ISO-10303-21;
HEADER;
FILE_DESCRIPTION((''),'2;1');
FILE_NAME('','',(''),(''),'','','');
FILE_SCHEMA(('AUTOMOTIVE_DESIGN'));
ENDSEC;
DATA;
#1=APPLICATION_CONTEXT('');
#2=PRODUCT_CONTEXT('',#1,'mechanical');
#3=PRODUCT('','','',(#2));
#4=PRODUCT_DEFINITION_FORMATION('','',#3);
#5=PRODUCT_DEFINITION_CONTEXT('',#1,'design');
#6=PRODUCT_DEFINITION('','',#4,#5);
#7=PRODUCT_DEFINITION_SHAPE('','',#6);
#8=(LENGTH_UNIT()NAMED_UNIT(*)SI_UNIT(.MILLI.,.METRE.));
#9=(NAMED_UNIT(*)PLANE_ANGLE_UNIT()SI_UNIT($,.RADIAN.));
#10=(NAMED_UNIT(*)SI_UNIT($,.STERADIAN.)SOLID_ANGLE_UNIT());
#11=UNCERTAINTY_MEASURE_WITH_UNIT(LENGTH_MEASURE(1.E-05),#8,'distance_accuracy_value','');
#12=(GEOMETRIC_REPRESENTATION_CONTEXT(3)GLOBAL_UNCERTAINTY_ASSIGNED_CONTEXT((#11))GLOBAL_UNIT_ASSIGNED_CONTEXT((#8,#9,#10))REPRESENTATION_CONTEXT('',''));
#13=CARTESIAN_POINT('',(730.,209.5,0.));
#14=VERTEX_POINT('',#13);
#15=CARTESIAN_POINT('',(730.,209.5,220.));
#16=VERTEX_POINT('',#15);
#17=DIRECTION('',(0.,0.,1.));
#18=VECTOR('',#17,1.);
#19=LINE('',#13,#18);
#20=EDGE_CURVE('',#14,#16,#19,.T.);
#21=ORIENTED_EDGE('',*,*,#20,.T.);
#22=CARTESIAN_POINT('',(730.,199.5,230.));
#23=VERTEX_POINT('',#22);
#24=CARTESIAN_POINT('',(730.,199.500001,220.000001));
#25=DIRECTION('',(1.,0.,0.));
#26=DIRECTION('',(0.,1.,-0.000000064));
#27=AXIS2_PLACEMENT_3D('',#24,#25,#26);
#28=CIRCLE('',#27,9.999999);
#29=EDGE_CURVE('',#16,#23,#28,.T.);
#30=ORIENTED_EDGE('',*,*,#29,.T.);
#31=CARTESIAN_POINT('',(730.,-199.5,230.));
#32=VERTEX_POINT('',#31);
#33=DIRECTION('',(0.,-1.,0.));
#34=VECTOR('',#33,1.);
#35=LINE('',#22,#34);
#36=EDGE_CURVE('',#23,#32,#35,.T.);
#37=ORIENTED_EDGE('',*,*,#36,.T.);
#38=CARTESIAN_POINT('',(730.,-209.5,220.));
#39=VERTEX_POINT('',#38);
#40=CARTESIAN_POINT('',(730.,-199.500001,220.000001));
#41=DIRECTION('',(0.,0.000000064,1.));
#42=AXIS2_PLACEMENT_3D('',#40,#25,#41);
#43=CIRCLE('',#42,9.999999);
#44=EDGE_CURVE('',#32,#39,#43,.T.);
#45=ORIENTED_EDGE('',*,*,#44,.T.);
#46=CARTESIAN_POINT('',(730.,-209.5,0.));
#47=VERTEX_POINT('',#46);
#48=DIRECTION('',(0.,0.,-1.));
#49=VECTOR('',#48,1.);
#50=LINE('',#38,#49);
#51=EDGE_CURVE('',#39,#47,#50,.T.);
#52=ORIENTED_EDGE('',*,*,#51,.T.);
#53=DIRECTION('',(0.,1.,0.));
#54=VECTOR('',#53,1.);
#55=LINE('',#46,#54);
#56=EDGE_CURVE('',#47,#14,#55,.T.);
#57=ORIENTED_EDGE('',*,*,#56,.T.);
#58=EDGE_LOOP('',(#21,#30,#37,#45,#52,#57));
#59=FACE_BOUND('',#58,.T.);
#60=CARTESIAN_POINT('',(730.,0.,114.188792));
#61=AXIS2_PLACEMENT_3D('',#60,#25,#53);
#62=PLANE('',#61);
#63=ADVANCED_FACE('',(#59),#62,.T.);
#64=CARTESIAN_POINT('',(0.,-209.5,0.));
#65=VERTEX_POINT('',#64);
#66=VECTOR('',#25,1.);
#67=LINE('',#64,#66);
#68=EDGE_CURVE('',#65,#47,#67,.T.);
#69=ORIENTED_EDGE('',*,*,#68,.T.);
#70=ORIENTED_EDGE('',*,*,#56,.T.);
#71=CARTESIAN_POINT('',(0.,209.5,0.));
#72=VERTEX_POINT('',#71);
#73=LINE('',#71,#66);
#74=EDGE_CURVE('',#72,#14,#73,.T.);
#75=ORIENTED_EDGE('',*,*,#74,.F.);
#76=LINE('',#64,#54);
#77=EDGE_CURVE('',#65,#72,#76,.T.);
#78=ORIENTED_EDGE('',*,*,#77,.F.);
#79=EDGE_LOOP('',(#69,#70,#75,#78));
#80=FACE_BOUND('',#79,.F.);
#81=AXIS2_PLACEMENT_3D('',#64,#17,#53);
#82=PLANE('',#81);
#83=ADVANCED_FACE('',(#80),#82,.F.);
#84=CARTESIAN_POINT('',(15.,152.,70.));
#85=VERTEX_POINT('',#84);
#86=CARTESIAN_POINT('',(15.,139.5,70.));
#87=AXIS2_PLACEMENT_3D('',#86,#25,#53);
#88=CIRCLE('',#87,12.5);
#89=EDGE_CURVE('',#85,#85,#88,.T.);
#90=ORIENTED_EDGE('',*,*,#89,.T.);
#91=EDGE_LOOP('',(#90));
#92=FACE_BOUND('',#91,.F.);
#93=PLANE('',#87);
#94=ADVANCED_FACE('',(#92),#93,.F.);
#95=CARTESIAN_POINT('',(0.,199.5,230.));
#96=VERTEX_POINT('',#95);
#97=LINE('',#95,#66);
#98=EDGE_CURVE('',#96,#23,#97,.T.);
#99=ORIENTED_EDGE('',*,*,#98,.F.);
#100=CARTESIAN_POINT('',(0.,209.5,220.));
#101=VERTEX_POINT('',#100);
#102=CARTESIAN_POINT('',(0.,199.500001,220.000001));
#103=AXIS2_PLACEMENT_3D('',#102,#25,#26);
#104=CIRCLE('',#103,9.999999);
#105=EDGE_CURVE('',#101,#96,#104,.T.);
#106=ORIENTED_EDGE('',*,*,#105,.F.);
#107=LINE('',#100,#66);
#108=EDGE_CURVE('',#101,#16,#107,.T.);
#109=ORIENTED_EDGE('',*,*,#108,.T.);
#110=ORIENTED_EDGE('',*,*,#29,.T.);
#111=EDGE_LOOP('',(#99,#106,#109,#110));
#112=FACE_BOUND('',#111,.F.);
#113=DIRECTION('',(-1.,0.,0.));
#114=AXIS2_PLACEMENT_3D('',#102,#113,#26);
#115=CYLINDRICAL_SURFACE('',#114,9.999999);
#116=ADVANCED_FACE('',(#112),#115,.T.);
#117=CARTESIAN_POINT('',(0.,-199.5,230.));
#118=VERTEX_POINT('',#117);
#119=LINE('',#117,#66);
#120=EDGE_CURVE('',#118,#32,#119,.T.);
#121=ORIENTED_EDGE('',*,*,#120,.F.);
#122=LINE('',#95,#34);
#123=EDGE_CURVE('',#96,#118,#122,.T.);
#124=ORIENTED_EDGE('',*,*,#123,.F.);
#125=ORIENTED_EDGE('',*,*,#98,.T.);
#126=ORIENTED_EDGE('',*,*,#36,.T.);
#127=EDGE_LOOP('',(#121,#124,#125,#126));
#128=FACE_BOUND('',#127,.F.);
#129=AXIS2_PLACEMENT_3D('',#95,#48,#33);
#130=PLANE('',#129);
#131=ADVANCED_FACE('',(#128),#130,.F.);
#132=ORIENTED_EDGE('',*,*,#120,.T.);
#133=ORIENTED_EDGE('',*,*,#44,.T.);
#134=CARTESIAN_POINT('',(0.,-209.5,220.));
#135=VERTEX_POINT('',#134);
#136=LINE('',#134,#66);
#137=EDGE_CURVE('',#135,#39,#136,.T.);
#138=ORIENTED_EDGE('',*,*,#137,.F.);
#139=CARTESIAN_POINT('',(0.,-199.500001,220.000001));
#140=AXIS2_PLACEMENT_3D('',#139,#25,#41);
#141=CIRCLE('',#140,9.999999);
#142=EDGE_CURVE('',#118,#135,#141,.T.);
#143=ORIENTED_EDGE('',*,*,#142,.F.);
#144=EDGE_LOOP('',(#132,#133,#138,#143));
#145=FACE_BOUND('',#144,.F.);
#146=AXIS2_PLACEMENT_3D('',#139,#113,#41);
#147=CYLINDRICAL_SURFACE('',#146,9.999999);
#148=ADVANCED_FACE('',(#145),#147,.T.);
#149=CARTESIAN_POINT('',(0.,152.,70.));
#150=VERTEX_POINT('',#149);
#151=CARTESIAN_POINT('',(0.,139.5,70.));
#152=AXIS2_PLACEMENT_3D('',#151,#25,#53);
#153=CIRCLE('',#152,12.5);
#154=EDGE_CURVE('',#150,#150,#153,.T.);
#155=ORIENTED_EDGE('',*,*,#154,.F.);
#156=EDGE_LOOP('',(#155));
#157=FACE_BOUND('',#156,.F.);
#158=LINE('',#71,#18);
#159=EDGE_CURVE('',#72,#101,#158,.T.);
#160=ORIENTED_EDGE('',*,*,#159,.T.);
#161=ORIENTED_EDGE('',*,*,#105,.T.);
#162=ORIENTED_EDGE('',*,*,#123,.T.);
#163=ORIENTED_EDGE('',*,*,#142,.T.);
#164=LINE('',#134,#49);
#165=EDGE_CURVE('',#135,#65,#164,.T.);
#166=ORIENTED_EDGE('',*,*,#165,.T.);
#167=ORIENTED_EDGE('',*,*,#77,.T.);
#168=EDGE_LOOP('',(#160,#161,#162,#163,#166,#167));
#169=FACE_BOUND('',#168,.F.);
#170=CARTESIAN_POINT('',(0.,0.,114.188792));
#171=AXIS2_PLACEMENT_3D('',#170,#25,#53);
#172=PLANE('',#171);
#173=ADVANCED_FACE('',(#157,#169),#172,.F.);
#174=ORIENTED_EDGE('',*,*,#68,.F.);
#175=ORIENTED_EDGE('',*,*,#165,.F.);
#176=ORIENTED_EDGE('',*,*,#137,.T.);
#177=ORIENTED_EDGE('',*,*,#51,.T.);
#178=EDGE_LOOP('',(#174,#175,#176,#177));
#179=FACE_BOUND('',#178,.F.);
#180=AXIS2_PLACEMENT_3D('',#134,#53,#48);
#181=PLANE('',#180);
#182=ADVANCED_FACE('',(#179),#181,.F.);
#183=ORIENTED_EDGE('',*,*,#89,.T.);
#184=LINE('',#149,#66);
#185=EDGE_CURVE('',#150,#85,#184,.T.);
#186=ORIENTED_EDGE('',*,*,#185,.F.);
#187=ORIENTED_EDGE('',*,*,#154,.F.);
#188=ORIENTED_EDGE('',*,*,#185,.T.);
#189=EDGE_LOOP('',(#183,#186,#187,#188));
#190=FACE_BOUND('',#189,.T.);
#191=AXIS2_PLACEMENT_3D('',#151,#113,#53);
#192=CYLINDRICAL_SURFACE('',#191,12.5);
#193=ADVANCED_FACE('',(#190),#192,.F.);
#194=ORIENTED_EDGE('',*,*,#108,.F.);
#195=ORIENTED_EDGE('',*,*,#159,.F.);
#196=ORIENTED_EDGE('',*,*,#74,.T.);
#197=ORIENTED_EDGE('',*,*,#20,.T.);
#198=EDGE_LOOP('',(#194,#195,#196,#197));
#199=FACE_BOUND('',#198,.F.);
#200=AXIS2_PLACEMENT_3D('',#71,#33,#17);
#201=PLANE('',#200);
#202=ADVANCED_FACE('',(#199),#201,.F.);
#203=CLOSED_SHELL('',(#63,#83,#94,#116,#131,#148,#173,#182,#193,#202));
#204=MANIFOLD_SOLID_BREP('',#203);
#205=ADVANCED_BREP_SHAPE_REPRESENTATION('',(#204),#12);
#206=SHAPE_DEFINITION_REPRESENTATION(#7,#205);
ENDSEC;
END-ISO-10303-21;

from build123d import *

# Parameters (mm, degrees)
PAD_DEPTH    = 730
SKETCH001_R  = 12.5
POCKET_DEPTH = 15


with BuildPart() as part:
    # Sketch → Pad (new body)
    with BuildSketch(Plane.YZ):
        with BuildLine():
            Line((-209.5, 0), (209.5, 0))
            Line((209.5, 0), (209.5, 220))
            ThreePointArc((209.5, 220), (206.571068, 227.071068), (199.5, 230))
            Line((199.5, 230), (-199.5, 230))
            ThreePointArc((-199.5, 230), (-206.571068, 227.071068), (-209.5, 220))
            Line((-209.5, 220), (-209.5, 0))
        make_face()
    extrude(amount=PAD_DEPTH)

    # Sketch001 → Pocket (cut)
    with BuildSketch(Plane.YZ):
        with Locations((139.5, 70)):
            Circle(SKETCH001_R)
    extrude(amount=POCKET_DEPTH, mode=Mode.SUBTRACT)


solid = part.part
